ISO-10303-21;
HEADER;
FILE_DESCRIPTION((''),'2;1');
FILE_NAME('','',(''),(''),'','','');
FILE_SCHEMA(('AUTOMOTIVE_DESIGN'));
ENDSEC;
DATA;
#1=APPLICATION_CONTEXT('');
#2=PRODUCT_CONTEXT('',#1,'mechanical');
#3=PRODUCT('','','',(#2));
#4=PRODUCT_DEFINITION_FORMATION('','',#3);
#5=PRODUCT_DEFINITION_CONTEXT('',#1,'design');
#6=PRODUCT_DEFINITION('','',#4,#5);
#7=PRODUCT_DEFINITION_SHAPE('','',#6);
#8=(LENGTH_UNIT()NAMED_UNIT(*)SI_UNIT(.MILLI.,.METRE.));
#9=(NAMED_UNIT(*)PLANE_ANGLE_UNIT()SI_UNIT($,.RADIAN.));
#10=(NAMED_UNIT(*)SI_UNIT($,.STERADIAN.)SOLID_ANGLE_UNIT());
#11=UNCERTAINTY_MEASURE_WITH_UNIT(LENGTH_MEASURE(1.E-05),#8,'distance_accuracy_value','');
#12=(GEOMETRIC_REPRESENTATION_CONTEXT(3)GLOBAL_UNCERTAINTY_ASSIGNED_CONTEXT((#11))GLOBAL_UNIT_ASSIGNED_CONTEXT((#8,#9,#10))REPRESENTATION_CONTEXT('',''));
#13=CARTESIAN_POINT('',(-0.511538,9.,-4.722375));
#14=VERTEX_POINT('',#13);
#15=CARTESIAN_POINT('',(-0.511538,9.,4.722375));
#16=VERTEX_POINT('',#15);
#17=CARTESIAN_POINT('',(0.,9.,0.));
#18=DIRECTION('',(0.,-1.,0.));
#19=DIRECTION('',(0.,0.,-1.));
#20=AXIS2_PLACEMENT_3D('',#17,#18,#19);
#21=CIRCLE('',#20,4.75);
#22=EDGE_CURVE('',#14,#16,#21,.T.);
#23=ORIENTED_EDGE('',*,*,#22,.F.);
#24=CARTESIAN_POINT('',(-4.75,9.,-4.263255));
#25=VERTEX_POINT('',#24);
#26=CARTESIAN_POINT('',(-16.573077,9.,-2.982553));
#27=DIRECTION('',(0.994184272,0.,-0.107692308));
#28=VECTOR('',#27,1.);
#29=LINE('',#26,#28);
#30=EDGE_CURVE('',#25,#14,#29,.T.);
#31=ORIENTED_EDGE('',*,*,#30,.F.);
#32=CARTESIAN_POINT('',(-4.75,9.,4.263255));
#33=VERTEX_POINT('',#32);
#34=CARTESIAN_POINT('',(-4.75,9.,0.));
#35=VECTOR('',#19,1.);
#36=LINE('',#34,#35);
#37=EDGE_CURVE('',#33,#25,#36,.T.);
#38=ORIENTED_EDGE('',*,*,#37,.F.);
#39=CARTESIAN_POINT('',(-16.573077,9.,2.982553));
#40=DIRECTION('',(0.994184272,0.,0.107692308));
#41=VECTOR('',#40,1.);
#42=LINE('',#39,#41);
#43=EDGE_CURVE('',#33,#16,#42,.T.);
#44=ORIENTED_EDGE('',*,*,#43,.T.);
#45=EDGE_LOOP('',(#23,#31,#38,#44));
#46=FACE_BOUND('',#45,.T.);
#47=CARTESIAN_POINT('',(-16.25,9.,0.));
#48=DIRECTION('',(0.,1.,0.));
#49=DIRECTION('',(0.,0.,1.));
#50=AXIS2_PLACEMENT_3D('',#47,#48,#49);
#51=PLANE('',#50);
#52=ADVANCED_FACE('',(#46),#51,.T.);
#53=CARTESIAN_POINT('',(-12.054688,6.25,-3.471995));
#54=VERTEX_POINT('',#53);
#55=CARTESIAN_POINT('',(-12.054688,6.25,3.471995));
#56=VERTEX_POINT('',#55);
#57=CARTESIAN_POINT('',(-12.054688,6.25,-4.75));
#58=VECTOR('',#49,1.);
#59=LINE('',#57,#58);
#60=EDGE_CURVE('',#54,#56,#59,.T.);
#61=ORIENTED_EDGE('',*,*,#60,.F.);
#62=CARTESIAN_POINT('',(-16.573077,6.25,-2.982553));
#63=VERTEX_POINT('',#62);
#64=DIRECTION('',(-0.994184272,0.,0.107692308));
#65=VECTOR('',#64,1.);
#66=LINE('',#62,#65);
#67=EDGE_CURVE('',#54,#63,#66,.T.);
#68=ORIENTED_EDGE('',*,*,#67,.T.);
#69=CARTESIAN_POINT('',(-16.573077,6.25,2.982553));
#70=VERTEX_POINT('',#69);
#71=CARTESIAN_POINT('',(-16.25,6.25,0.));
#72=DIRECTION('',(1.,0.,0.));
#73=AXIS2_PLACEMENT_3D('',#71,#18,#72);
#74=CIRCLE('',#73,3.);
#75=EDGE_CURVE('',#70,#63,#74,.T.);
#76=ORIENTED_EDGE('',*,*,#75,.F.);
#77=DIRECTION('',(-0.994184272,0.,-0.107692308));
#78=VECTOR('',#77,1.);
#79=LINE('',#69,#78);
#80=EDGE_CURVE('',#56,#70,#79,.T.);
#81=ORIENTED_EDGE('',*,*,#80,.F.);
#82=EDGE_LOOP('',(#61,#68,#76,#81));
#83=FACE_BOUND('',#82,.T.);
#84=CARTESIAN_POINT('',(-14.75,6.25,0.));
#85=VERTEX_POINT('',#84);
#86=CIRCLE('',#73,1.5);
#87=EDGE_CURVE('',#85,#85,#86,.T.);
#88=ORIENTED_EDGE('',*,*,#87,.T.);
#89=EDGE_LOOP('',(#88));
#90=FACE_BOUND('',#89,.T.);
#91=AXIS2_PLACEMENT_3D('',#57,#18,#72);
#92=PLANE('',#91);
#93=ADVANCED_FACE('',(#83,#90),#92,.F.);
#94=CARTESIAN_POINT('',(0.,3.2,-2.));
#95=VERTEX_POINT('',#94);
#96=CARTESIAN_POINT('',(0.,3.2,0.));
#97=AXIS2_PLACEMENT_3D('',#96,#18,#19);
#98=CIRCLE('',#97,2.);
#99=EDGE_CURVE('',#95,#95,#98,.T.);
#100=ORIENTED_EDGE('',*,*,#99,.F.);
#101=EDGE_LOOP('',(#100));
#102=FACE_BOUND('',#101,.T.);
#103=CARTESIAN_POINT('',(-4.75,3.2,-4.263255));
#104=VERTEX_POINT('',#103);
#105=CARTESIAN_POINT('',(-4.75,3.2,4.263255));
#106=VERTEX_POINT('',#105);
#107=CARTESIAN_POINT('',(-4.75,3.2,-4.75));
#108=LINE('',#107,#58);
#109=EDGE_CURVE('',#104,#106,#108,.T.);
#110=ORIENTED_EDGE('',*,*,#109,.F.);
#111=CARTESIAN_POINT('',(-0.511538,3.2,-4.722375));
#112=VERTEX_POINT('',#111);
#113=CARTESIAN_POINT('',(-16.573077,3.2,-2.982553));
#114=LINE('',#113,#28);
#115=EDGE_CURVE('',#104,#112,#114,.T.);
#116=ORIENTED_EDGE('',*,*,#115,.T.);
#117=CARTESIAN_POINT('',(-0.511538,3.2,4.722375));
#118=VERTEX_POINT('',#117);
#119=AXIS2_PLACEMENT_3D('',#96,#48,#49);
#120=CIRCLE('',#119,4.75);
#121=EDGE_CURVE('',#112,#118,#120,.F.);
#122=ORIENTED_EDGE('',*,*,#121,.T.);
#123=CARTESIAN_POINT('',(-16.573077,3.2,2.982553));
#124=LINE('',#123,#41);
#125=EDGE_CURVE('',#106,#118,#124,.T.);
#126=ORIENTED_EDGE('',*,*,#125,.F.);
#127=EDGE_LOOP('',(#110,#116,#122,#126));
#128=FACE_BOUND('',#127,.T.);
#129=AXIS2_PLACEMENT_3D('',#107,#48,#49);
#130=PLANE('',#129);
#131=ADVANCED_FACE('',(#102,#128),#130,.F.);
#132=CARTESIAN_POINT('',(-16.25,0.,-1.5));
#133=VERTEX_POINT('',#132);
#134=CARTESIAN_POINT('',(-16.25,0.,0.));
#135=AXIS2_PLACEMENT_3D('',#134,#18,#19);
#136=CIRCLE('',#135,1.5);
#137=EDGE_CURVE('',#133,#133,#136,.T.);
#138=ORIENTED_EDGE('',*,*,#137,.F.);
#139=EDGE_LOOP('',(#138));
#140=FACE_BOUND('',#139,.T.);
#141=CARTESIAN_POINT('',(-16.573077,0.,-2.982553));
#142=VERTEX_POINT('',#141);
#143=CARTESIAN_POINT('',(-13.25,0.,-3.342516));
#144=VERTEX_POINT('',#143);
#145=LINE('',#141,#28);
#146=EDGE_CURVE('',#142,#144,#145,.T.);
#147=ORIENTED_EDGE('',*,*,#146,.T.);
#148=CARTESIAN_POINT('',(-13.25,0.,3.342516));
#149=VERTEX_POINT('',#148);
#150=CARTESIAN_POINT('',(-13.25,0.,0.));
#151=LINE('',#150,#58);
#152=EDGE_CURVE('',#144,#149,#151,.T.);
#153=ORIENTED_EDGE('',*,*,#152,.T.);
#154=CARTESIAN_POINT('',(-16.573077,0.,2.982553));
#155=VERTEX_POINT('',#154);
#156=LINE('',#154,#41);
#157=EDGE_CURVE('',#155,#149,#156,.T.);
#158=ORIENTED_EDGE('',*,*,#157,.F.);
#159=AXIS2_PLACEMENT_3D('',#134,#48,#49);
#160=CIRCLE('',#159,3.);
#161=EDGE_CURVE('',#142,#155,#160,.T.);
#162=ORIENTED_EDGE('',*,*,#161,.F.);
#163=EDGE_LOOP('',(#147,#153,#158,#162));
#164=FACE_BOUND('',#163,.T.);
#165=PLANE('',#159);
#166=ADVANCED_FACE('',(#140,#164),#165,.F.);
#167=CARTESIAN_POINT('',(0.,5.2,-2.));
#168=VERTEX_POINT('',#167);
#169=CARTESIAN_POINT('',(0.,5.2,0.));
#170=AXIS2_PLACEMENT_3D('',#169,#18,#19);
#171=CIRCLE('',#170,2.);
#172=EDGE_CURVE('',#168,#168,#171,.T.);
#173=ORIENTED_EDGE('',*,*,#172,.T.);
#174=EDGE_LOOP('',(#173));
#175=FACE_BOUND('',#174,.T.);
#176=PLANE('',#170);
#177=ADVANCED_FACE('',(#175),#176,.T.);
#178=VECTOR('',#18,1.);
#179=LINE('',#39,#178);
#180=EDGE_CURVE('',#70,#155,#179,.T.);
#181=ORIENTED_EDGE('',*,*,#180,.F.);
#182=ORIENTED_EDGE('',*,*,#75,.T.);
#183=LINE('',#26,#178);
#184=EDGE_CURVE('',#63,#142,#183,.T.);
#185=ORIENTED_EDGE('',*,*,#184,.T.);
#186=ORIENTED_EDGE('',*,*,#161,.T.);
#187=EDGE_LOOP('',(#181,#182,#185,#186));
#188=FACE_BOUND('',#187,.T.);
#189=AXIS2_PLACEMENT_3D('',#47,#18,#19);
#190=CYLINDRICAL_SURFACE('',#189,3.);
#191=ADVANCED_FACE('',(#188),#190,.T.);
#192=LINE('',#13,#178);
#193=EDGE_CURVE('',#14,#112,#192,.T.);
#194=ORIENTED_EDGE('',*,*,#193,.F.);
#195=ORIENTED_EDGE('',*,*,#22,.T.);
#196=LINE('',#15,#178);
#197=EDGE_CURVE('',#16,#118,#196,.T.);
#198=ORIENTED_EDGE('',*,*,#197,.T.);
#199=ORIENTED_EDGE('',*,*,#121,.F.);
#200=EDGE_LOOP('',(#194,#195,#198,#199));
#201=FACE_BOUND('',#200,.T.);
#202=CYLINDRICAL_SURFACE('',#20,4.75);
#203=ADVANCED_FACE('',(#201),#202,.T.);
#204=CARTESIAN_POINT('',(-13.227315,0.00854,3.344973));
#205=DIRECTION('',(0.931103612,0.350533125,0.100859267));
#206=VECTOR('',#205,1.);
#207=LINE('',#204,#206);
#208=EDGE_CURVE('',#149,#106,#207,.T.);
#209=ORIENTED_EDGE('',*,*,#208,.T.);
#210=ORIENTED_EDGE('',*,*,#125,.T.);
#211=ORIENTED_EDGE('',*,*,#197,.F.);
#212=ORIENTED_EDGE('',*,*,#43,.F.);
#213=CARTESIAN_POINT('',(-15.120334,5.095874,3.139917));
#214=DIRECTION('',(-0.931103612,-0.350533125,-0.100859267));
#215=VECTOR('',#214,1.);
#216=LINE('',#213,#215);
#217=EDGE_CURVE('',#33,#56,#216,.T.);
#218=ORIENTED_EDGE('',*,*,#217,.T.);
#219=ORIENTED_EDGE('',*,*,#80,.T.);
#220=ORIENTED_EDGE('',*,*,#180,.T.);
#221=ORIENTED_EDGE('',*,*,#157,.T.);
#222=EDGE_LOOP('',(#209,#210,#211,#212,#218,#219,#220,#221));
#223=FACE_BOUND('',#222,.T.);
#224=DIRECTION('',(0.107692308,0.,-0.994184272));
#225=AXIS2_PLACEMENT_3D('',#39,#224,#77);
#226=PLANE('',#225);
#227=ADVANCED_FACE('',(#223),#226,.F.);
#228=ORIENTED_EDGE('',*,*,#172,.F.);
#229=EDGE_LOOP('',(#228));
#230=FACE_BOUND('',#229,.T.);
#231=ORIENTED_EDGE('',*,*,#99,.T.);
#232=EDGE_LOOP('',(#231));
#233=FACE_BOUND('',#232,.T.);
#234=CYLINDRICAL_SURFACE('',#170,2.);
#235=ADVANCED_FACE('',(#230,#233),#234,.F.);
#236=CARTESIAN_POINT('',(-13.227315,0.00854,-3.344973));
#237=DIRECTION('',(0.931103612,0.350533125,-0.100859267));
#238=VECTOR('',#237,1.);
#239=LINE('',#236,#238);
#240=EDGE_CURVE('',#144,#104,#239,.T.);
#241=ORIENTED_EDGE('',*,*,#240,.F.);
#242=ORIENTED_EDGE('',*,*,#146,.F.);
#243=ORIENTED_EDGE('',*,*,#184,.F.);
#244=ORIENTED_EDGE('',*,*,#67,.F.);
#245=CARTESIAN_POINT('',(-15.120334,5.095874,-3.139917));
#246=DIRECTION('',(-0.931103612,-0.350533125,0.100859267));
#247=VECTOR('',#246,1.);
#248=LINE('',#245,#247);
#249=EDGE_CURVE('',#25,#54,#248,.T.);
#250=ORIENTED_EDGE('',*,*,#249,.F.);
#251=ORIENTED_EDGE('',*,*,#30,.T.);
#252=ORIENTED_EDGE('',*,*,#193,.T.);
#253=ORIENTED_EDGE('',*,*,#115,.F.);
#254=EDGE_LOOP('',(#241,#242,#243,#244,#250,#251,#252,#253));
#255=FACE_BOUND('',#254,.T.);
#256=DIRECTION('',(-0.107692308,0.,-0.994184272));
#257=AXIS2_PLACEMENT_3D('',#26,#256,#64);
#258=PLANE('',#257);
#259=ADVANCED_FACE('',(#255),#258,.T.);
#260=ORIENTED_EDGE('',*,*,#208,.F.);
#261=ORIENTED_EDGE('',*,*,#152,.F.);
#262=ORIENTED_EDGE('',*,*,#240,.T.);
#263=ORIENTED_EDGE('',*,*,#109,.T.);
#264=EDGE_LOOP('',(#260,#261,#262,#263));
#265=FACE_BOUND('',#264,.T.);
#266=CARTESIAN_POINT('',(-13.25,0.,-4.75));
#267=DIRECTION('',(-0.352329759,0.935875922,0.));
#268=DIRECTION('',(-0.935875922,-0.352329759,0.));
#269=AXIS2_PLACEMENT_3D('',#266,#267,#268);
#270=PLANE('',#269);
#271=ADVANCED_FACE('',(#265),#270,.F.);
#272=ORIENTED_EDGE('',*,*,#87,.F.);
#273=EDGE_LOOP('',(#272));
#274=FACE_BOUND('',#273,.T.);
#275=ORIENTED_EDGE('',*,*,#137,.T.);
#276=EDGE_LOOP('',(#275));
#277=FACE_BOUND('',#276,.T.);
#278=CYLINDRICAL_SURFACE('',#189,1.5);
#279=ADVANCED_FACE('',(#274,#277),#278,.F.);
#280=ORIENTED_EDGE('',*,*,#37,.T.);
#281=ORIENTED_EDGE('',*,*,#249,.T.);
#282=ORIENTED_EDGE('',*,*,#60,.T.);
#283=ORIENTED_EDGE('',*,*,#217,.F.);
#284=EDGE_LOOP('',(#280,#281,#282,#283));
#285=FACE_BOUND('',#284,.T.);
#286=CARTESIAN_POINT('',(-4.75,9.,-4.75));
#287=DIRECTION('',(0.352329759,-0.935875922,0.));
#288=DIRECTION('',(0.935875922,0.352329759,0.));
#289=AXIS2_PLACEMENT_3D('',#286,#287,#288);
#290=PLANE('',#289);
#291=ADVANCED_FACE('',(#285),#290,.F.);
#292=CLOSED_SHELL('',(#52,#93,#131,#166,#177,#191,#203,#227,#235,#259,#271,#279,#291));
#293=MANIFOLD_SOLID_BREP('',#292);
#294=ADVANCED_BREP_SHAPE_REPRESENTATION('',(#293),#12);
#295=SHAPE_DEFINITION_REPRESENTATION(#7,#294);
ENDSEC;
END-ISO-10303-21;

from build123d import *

# Parameters (mm, degrees)
BOSS_EXTRUDE1_DEPTH     = 9
CUT_EXTRUDE1_DEPTH      = 5.75
CUT_EXTRUDE1_DEPTH_BACK = 5.75
SKETCH3_R               = 2
CUT_EXTRUDE2_DEPTH      = 2
SKETCH4_R               = 1.5
CUT_EXTRUDE3_DEPTH      = 10


with BuildPart() as part:
    # Sketch1 → Boss-Extrude1 (new body)
    with BuildSketch(Plane(origin=(0, 0, 0), x_dir=(1, 0, 0), z_dir=(0, 1, 0))):
        with BuildLine():
            Line((-16.573076923, 2.982552816), (-0.511538462, 4.722375292))
            ThreePointArc((-0.511538462, 4.722375292), (4.75, 0), (-0.511538462, -4.722375292))
            Line((-0.511538462, -4.722375292), (-16.573076923, -2.982552816))
            ThreePointArc((-16.573076923, -2.982552816), (-19.25, 0), (-16.573076923, 2.982552816))
        make_face()
    extrude(amount=BOSS_EXTRUDE1_DEPTH)

    # Sketch2 → Cut-Extrude1 (cut, two sides)
    with BuildSketch(Plane.XY) as cut_extrude1_sk:
        Polygon((-4.75, 9), (-12.0546875, 6.25), (-19.25, 6.25), (-19.25, 9), align=None)
        Polygon((-13.25, 0), (-4.75, 3.2), (4.75, 3.2), (4.75, 0), align=None)
    extrude(amount=CUT_EXTRUDE1_DEPTH, mode=Mode.SUBTRACT)
    extrude(cut_extrude1_sk.sketch, amount=-CUT_EXTRUDE1_DEPTH_BACK, mode=Mode.SUBTRACT)

    # Sketch3 → Cut-Extrude2 (cut)
    with BuildSketch(Plane.XZ.offset(-3.2)):
        Circle(SKETCH3_R)
    extrude(amount=-CUT_EXTRUDE2_DEPTH, mode=Mode.SUBTRACT)

    # Sketch4 → Cut-Extrude3 (cut, through all)
    with BuildSketch(Plane.XZ):
        with Locations((-16.25, 0)):
            Circle(SKETCH4_R)
    extrude(amount=-CUT_EXTRUDE3_DEPTH, mode=Mode.SUBTRACT)


solid = part.part
